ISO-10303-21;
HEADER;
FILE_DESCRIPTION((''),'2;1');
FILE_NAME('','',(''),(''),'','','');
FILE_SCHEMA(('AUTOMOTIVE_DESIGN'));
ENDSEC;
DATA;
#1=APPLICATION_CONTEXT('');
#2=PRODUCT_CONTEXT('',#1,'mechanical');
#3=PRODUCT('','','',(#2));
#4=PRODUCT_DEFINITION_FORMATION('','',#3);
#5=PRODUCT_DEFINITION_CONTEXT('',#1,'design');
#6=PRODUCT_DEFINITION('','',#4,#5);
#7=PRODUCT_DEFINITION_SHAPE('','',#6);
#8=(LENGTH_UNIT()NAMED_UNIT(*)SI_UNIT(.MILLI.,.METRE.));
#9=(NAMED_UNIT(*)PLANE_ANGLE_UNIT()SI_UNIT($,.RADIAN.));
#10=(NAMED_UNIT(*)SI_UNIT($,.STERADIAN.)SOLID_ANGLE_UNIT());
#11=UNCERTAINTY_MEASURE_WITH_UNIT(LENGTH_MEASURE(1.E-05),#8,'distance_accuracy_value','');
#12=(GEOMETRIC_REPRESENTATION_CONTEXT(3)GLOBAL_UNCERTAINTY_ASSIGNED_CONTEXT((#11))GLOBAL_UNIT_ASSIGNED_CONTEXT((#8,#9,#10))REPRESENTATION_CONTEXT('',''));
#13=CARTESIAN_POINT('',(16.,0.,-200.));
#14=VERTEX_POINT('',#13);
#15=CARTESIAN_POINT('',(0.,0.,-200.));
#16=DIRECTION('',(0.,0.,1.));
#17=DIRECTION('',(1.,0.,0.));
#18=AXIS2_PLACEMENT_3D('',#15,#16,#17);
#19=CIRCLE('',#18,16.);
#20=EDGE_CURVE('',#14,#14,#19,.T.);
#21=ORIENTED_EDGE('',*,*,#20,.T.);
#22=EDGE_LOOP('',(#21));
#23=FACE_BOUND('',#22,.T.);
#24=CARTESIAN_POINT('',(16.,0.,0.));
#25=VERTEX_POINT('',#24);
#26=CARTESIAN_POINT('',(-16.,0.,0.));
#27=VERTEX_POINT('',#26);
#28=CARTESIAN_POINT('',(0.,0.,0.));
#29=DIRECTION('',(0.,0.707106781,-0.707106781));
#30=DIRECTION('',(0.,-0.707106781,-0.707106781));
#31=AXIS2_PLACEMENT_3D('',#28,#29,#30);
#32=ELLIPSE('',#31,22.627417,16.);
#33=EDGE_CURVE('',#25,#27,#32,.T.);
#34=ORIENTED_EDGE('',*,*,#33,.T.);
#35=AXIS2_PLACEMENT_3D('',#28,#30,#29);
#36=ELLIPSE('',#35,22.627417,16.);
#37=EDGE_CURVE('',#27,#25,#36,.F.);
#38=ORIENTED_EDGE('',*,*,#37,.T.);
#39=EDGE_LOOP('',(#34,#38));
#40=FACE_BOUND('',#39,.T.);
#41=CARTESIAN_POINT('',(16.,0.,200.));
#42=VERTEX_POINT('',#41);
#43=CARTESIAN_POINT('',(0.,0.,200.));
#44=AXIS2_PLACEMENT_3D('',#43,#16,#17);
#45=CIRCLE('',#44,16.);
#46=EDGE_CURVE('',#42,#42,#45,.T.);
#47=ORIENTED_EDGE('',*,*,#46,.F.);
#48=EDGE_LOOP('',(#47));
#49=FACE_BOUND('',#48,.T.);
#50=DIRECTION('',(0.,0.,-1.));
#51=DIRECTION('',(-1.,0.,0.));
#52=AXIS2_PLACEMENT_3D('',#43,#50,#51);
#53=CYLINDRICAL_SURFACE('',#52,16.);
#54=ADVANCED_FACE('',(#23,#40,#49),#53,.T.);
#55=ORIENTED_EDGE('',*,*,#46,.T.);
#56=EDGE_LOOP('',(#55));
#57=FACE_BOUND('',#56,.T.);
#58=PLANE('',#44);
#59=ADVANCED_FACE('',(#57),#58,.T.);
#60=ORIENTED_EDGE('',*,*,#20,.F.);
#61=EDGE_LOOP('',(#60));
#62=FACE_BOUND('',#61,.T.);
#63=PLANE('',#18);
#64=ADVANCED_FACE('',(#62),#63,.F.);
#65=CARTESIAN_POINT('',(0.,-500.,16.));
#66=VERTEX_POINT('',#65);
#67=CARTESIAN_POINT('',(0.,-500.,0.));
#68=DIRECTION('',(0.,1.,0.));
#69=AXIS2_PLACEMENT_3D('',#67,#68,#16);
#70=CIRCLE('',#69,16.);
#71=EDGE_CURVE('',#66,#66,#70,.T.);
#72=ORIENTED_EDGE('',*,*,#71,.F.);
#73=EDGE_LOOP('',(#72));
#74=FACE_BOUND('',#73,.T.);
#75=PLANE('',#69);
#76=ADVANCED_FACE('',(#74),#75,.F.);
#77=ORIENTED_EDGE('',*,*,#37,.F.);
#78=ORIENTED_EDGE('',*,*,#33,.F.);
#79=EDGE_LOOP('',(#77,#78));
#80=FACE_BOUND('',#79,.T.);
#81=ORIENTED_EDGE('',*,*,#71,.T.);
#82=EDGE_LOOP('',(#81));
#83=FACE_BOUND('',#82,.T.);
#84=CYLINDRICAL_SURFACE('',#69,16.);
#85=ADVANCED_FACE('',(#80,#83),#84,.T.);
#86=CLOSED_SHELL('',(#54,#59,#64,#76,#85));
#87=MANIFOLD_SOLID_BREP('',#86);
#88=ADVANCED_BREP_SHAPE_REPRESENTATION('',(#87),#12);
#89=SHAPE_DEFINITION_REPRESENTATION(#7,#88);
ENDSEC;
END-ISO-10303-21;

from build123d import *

# Parameters (mm, degrees)
SKETCH1_R           = 16
BOSS_EXTRUDE1_DEPTH = 200
SKETCH3_R           = 16
BOSS_EXTRUDE2_DEPTH = 500


with BuildPart() as part:
    # Sketch1 → Boss-Extrude1 (new body, symmetric)
    with BuildSketch(Plane.XY):
        Circle(SKETCH1_R)
    extrude(amount=BOSS_EXTRUDE1_DEPTH, both=True)

    # Sketch3 → Boss-Extrude2 (add)
    with BuildSketch(Plane(origin=(0, 0, 0), x_dir=(1, 0, 0), z_dir=(0, 1, 0))):
        Circle(SKETCH3_R)
    extrude(amount=-BOSS_EXTRUDE2_DEPTH)


solid = part.part
